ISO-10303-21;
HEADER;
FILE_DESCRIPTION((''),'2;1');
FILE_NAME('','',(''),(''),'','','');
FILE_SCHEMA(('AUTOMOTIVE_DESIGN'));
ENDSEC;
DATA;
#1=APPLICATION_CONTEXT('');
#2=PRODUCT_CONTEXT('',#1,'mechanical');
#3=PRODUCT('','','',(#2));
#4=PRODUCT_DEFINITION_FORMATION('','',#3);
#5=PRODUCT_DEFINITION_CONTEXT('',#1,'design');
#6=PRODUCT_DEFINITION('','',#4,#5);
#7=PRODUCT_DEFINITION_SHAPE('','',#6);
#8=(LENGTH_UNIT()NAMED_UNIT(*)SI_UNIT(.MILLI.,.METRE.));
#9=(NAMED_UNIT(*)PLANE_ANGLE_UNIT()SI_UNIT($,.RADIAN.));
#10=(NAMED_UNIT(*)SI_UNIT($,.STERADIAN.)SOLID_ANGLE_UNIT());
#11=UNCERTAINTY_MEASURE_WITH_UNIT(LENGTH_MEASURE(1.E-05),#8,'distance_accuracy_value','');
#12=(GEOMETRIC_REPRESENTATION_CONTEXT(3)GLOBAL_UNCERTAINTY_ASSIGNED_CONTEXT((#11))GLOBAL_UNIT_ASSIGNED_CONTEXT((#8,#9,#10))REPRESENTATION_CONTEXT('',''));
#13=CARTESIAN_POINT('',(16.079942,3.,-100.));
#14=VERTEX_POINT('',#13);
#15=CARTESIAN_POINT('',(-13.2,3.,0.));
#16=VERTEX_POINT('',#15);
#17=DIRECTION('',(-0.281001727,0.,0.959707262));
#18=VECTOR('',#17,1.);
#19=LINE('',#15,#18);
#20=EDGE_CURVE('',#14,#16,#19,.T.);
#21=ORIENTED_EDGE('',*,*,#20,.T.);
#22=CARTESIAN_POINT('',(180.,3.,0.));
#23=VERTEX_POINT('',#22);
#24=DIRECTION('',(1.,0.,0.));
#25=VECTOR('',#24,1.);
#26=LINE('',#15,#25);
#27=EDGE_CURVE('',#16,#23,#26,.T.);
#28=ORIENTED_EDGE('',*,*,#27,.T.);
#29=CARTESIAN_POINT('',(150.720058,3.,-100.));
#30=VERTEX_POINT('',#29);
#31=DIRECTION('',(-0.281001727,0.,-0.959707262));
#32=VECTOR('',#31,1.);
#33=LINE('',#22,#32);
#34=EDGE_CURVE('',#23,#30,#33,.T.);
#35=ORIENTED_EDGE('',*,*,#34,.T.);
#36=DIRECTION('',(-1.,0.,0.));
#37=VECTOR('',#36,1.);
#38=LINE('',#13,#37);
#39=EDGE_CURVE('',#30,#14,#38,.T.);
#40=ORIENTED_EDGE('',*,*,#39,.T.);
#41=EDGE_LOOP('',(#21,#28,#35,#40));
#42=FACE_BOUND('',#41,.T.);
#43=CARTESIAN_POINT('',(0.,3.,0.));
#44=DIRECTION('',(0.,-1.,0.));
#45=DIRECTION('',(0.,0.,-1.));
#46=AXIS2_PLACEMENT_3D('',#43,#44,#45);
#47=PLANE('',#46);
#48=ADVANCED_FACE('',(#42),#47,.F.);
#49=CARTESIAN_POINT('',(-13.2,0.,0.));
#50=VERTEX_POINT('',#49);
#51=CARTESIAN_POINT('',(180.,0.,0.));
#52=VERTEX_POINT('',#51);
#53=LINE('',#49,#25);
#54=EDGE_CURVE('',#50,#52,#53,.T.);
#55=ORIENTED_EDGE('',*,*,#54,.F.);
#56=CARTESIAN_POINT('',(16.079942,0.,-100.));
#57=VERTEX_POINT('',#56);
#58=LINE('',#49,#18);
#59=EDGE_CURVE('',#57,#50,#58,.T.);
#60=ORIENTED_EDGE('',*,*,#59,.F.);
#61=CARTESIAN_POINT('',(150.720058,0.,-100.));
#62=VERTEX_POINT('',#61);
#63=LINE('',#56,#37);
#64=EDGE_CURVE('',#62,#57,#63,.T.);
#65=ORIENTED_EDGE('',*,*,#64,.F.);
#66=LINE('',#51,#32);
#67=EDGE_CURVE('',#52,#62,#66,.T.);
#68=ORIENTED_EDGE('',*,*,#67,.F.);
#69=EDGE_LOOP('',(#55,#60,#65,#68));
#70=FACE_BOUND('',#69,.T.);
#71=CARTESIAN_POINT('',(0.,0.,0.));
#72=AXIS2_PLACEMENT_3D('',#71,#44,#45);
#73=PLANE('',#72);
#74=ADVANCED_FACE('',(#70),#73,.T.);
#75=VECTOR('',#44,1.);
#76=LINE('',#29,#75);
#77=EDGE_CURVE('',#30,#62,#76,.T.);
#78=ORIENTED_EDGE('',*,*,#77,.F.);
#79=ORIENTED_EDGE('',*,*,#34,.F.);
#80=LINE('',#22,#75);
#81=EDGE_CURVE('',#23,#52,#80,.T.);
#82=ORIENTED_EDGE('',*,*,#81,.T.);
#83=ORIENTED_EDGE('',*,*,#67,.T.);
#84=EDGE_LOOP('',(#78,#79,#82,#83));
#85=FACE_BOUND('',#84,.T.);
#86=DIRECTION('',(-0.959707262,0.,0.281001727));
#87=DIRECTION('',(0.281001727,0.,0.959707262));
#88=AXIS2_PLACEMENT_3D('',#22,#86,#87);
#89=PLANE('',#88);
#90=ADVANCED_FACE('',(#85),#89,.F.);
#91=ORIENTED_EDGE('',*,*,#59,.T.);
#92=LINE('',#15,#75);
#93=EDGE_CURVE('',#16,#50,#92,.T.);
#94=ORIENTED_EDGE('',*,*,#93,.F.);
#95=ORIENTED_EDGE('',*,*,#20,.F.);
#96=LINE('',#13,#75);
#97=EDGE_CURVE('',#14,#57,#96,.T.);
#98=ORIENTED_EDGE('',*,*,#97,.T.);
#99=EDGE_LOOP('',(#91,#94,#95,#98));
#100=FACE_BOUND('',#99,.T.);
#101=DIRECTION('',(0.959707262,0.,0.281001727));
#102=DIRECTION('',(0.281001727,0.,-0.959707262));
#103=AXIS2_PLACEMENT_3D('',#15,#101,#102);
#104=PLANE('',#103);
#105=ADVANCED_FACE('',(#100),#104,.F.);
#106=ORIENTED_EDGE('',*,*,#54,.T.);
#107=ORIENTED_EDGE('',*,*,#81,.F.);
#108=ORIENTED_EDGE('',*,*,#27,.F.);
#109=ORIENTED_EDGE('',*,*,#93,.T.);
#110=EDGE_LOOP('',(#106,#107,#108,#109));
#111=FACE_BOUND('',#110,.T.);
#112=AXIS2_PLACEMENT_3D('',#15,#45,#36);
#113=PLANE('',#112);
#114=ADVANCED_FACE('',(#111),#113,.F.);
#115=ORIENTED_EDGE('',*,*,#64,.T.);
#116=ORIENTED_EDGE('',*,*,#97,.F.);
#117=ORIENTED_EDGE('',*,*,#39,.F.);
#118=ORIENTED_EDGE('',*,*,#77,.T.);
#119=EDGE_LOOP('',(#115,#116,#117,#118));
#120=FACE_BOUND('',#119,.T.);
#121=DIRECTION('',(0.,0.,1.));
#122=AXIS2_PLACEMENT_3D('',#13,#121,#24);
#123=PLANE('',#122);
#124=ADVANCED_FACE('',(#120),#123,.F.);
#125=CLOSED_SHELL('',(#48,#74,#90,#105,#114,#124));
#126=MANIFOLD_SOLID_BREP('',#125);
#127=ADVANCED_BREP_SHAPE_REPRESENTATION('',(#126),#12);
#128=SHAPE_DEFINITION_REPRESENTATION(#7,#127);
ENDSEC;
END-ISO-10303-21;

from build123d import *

# Parameters (mm, degrees)
BOSS_EXTRUDE1_DEPTH = 3


with BuildPart() as part:
    # Sketch1 → Boss-Extrude1 (new body)
    with BuildSketch(Plane(origin=(0, 0, 0), x_dir=(1, 0, 0), z_dir=(0, 1, 0))):
        Polygon((-13.2, 0), (180, 0), (150.720058283, 100), (16.079941717, 100), align=None)
    extrude(amount=BOSS_EXTRUDE1_DEPTH)


solid = part.part
